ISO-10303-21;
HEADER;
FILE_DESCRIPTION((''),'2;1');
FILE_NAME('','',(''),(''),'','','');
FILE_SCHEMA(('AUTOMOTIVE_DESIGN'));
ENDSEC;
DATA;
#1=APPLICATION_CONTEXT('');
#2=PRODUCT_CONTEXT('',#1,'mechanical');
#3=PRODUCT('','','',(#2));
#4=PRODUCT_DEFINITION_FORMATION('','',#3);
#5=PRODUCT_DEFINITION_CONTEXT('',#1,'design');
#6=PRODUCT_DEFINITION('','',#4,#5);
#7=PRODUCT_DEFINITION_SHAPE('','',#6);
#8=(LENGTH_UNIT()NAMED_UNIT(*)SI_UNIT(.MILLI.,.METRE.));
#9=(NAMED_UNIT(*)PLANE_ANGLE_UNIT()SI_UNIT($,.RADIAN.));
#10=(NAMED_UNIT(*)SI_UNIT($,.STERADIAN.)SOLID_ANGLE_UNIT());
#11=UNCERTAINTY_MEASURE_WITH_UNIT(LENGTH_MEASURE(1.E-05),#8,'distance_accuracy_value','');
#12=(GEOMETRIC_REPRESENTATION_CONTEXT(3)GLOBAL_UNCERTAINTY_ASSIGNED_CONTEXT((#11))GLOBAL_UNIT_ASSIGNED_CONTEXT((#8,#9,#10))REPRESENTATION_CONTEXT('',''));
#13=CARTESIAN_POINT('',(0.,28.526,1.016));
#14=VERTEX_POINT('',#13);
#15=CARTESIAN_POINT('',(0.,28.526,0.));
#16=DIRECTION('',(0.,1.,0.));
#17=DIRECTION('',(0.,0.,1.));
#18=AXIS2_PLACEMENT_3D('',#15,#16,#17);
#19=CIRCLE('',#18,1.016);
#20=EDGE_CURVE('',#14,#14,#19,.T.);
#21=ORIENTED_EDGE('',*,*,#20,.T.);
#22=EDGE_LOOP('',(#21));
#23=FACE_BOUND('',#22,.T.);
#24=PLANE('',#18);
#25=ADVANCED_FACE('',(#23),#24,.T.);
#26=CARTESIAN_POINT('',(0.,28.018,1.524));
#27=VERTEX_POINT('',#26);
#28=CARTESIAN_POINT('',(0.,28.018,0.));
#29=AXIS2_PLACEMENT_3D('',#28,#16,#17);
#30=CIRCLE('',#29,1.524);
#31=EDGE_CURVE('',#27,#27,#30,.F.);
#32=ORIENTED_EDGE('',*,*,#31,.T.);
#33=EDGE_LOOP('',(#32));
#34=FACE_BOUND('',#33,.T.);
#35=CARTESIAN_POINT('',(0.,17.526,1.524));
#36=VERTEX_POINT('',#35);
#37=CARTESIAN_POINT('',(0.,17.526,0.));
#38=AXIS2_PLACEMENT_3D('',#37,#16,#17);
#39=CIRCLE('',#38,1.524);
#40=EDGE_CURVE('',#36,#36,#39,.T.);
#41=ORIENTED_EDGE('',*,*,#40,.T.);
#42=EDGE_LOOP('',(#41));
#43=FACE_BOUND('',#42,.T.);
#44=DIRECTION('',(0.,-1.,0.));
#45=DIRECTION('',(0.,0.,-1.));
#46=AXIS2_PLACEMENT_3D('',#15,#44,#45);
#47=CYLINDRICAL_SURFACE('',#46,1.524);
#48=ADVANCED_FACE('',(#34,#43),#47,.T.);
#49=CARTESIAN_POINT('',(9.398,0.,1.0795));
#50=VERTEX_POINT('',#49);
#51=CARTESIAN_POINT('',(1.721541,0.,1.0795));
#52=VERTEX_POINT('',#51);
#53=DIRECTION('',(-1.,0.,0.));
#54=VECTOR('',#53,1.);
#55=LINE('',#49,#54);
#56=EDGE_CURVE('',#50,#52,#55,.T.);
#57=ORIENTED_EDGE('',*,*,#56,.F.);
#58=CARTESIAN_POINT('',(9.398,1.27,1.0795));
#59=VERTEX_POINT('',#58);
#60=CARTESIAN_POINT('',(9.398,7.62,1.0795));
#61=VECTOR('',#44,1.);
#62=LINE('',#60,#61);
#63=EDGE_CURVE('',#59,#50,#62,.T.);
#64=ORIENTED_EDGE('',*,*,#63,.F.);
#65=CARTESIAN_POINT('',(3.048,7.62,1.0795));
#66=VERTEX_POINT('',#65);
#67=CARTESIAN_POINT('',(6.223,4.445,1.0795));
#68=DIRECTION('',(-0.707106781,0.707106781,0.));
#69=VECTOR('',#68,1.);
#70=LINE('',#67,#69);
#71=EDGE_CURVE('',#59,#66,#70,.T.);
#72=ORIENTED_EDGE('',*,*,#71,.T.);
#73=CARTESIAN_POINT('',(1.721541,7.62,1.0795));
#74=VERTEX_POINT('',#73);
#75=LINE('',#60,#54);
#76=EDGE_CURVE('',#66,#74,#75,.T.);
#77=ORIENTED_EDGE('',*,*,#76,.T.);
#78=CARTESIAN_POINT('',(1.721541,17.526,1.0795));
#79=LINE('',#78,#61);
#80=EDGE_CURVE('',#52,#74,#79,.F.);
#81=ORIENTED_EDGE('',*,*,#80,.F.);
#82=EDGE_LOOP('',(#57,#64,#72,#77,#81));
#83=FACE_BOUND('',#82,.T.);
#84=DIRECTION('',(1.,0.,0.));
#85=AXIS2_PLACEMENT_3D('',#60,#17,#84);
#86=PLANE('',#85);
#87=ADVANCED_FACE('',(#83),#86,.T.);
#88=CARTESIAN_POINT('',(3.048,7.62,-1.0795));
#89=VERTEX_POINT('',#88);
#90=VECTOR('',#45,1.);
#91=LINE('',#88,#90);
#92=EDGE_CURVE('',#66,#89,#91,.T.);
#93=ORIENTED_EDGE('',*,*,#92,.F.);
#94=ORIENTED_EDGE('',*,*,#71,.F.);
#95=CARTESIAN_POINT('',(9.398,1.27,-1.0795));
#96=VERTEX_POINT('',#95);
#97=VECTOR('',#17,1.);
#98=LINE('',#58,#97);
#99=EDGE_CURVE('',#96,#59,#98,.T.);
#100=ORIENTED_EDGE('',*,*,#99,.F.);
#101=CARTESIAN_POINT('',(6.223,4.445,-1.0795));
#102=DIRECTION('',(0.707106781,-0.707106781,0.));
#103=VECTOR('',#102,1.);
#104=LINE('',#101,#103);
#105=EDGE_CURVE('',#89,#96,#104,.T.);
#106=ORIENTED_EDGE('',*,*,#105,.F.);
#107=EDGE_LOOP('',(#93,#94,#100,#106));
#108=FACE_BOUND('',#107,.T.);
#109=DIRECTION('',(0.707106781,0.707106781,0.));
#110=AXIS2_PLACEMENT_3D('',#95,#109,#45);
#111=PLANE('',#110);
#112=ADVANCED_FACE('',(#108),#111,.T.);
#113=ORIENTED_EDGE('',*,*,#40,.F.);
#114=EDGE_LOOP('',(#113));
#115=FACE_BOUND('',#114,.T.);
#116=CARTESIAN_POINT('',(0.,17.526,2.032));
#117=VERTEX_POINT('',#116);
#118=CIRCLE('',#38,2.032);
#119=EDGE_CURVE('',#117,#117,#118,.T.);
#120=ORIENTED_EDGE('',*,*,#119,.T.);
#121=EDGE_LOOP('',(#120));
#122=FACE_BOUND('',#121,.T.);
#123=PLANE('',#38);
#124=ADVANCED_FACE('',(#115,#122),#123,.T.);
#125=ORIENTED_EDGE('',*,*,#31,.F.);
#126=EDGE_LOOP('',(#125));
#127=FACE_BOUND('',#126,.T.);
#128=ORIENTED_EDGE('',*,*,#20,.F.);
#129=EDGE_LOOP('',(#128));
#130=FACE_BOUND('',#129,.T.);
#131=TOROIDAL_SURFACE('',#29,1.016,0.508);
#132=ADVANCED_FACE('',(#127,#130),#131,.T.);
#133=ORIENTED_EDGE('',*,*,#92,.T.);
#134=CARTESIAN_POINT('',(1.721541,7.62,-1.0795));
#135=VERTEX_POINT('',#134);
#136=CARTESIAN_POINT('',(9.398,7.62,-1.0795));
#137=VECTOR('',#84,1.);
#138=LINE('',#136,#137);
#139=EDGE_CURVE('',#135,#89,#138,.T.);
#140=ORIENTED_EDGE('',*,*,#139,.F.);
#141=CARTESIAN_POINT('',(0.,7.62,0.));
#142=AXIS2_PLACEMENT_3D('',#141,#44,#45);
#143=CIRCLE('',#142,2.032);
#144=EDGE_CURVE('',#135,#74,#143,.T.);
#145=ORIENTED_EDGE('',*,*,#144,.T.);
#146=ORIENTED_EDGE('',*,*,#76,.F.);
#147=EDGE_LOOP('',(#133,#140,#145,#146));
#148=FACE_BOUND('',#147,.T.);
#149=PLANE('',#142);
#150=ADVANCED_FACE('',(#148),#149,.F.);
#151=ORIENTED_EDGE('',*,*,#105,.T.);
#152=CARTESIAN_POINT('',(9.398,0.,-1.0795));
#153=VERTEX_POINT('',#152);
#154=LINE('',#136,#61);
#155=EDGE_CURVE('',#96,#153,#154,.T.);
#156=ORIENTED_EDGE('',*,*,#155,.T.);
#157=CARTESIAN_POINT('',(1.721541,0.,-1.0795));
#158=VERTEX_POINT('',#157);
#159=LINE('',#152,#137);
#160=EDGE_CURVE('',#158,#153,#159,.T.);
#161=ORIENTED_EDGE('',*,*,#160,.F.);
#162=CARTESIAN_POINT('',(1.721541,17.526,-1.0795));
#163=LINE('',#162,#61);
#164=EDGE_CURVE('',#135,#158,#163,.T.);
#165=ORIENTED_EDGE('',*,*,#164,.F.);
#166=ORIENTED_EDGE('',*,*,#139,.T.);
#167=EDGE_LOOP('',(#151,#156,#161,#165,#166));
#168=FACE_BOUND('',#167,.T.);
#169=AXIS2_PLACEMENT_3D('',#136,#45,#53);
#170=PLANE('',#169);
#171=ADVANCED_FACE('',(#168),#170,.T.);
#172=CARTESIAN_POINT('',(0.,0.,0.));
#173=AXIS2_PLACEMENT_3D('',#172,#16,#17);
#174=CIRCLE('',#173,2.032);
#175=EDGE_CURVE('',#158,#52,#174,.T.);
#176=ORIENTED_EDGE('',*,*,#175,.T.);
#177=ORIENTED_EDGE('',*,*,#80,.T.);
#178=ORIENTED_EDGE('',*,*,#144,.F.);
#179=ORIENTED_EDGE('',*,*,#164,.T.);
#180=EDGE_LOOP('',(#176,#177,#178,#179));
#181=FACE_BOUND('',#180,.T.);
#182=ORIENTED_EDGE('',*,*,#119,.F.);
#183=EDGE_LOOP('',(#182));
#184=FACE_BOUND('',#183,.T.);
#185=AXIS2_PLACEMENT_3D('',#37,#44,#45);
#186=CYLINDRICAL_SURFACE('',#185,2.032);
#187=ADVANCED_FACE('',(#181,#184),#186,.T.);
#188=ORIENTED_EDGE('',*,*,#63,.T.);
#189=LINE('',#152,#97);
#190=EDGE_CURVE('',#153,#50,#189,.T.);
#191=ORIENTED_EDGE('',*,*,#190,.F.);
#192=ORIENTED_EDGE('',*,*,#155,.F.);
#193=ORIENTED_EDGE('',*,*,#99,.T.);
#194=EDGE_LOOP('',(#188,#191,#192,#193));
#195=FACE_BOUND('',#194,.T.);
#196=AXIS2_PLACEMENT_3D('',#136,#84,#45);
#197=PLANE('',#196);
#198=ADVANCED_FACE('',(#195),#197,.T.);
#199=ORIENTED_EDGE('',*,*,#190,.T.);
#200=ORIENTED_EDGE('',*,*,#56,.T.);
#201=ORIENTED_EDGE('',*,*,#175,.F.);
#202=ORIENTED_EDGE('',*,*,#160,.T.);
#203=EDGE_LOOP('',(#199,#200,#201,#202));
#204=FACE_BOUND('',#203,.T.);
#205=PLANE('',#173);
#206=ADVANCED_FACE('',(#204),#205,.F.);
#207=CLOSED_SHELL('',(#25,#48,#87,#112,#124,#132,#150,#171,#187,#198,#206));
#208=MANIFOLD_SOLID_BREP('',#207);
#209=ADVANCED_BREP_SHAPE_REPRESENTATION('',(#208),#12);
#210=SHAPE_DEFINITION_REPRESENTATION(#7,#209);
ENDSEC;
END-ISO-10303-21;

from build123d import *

# Parameters (mm, degrees)
SKETCH1_R           = 2.032
BOSS_EXTRUDE1_DEPTH = 17.526
SKETCH2_W           = 9.398
SKETCH2_H           = 2.159
BOSS_EXTRUDE2_DEPTH = 7.62
CHAMFER1_SIZE       = 6.35
SKETCH3_R           = 1.524
BOSS_EXTRUDE3_DEPTH = 11
FILLET1_R           = 0.508


with BuildPart() as part:
    # Sketch1 → Boss-Extrude1 (new body)
    with BuildSketch(Plane(origin=(0, 0, 0), x_dir=(1, 0, 0), z_dir=(0, 1, 0))):
        with Locations(Location((0, 0, 0), (0, 0, 270))):
            Circle(SKETCH1_R)
    extrude(amount=BOSS_EXTRUDE1_DEPTH)

    # Sketch2 → Boss-Extrude2 (add)
    with BuildSketch(Plane.XZ):
        with Locations((4.699, 0)):
            Rectangle(SKETCH2_W, SKETCH2_H)
    extrude(amount=-BOSS_EXTRUDE2_DEPTH)

    # Chamfer1
    chamfer1_edges = [part.edges().sort_by_distance(p)[0] for p in [
        (9.398, 7.62, 0),
    ]]
    chamfer(chamfer1_edges, length=CHAMFER1_SIZE)

    # Sketch3 → Boss-Extrude3 (add)
    with BuildSketch(Plane(origin=(0, 17.526, 0), x_dir=(1, 0, 0), z_dir=(0, 1, 0))):
        with Locations(Location((0, 0, 0), (0, 0, 270))):
            Circle(SKETCH3_R)
    extrude(amount=BOSS_EXTRUDE3_DEPTH)

    # Fillet1
    fillet1_edges = [part.edges().sort_by_distance(p)[0] for p in [
        (0, 28.526, -1.524),
    ]]
    fillet(fillet1_edges, radius=FILLET1_R)


solid = part.part
